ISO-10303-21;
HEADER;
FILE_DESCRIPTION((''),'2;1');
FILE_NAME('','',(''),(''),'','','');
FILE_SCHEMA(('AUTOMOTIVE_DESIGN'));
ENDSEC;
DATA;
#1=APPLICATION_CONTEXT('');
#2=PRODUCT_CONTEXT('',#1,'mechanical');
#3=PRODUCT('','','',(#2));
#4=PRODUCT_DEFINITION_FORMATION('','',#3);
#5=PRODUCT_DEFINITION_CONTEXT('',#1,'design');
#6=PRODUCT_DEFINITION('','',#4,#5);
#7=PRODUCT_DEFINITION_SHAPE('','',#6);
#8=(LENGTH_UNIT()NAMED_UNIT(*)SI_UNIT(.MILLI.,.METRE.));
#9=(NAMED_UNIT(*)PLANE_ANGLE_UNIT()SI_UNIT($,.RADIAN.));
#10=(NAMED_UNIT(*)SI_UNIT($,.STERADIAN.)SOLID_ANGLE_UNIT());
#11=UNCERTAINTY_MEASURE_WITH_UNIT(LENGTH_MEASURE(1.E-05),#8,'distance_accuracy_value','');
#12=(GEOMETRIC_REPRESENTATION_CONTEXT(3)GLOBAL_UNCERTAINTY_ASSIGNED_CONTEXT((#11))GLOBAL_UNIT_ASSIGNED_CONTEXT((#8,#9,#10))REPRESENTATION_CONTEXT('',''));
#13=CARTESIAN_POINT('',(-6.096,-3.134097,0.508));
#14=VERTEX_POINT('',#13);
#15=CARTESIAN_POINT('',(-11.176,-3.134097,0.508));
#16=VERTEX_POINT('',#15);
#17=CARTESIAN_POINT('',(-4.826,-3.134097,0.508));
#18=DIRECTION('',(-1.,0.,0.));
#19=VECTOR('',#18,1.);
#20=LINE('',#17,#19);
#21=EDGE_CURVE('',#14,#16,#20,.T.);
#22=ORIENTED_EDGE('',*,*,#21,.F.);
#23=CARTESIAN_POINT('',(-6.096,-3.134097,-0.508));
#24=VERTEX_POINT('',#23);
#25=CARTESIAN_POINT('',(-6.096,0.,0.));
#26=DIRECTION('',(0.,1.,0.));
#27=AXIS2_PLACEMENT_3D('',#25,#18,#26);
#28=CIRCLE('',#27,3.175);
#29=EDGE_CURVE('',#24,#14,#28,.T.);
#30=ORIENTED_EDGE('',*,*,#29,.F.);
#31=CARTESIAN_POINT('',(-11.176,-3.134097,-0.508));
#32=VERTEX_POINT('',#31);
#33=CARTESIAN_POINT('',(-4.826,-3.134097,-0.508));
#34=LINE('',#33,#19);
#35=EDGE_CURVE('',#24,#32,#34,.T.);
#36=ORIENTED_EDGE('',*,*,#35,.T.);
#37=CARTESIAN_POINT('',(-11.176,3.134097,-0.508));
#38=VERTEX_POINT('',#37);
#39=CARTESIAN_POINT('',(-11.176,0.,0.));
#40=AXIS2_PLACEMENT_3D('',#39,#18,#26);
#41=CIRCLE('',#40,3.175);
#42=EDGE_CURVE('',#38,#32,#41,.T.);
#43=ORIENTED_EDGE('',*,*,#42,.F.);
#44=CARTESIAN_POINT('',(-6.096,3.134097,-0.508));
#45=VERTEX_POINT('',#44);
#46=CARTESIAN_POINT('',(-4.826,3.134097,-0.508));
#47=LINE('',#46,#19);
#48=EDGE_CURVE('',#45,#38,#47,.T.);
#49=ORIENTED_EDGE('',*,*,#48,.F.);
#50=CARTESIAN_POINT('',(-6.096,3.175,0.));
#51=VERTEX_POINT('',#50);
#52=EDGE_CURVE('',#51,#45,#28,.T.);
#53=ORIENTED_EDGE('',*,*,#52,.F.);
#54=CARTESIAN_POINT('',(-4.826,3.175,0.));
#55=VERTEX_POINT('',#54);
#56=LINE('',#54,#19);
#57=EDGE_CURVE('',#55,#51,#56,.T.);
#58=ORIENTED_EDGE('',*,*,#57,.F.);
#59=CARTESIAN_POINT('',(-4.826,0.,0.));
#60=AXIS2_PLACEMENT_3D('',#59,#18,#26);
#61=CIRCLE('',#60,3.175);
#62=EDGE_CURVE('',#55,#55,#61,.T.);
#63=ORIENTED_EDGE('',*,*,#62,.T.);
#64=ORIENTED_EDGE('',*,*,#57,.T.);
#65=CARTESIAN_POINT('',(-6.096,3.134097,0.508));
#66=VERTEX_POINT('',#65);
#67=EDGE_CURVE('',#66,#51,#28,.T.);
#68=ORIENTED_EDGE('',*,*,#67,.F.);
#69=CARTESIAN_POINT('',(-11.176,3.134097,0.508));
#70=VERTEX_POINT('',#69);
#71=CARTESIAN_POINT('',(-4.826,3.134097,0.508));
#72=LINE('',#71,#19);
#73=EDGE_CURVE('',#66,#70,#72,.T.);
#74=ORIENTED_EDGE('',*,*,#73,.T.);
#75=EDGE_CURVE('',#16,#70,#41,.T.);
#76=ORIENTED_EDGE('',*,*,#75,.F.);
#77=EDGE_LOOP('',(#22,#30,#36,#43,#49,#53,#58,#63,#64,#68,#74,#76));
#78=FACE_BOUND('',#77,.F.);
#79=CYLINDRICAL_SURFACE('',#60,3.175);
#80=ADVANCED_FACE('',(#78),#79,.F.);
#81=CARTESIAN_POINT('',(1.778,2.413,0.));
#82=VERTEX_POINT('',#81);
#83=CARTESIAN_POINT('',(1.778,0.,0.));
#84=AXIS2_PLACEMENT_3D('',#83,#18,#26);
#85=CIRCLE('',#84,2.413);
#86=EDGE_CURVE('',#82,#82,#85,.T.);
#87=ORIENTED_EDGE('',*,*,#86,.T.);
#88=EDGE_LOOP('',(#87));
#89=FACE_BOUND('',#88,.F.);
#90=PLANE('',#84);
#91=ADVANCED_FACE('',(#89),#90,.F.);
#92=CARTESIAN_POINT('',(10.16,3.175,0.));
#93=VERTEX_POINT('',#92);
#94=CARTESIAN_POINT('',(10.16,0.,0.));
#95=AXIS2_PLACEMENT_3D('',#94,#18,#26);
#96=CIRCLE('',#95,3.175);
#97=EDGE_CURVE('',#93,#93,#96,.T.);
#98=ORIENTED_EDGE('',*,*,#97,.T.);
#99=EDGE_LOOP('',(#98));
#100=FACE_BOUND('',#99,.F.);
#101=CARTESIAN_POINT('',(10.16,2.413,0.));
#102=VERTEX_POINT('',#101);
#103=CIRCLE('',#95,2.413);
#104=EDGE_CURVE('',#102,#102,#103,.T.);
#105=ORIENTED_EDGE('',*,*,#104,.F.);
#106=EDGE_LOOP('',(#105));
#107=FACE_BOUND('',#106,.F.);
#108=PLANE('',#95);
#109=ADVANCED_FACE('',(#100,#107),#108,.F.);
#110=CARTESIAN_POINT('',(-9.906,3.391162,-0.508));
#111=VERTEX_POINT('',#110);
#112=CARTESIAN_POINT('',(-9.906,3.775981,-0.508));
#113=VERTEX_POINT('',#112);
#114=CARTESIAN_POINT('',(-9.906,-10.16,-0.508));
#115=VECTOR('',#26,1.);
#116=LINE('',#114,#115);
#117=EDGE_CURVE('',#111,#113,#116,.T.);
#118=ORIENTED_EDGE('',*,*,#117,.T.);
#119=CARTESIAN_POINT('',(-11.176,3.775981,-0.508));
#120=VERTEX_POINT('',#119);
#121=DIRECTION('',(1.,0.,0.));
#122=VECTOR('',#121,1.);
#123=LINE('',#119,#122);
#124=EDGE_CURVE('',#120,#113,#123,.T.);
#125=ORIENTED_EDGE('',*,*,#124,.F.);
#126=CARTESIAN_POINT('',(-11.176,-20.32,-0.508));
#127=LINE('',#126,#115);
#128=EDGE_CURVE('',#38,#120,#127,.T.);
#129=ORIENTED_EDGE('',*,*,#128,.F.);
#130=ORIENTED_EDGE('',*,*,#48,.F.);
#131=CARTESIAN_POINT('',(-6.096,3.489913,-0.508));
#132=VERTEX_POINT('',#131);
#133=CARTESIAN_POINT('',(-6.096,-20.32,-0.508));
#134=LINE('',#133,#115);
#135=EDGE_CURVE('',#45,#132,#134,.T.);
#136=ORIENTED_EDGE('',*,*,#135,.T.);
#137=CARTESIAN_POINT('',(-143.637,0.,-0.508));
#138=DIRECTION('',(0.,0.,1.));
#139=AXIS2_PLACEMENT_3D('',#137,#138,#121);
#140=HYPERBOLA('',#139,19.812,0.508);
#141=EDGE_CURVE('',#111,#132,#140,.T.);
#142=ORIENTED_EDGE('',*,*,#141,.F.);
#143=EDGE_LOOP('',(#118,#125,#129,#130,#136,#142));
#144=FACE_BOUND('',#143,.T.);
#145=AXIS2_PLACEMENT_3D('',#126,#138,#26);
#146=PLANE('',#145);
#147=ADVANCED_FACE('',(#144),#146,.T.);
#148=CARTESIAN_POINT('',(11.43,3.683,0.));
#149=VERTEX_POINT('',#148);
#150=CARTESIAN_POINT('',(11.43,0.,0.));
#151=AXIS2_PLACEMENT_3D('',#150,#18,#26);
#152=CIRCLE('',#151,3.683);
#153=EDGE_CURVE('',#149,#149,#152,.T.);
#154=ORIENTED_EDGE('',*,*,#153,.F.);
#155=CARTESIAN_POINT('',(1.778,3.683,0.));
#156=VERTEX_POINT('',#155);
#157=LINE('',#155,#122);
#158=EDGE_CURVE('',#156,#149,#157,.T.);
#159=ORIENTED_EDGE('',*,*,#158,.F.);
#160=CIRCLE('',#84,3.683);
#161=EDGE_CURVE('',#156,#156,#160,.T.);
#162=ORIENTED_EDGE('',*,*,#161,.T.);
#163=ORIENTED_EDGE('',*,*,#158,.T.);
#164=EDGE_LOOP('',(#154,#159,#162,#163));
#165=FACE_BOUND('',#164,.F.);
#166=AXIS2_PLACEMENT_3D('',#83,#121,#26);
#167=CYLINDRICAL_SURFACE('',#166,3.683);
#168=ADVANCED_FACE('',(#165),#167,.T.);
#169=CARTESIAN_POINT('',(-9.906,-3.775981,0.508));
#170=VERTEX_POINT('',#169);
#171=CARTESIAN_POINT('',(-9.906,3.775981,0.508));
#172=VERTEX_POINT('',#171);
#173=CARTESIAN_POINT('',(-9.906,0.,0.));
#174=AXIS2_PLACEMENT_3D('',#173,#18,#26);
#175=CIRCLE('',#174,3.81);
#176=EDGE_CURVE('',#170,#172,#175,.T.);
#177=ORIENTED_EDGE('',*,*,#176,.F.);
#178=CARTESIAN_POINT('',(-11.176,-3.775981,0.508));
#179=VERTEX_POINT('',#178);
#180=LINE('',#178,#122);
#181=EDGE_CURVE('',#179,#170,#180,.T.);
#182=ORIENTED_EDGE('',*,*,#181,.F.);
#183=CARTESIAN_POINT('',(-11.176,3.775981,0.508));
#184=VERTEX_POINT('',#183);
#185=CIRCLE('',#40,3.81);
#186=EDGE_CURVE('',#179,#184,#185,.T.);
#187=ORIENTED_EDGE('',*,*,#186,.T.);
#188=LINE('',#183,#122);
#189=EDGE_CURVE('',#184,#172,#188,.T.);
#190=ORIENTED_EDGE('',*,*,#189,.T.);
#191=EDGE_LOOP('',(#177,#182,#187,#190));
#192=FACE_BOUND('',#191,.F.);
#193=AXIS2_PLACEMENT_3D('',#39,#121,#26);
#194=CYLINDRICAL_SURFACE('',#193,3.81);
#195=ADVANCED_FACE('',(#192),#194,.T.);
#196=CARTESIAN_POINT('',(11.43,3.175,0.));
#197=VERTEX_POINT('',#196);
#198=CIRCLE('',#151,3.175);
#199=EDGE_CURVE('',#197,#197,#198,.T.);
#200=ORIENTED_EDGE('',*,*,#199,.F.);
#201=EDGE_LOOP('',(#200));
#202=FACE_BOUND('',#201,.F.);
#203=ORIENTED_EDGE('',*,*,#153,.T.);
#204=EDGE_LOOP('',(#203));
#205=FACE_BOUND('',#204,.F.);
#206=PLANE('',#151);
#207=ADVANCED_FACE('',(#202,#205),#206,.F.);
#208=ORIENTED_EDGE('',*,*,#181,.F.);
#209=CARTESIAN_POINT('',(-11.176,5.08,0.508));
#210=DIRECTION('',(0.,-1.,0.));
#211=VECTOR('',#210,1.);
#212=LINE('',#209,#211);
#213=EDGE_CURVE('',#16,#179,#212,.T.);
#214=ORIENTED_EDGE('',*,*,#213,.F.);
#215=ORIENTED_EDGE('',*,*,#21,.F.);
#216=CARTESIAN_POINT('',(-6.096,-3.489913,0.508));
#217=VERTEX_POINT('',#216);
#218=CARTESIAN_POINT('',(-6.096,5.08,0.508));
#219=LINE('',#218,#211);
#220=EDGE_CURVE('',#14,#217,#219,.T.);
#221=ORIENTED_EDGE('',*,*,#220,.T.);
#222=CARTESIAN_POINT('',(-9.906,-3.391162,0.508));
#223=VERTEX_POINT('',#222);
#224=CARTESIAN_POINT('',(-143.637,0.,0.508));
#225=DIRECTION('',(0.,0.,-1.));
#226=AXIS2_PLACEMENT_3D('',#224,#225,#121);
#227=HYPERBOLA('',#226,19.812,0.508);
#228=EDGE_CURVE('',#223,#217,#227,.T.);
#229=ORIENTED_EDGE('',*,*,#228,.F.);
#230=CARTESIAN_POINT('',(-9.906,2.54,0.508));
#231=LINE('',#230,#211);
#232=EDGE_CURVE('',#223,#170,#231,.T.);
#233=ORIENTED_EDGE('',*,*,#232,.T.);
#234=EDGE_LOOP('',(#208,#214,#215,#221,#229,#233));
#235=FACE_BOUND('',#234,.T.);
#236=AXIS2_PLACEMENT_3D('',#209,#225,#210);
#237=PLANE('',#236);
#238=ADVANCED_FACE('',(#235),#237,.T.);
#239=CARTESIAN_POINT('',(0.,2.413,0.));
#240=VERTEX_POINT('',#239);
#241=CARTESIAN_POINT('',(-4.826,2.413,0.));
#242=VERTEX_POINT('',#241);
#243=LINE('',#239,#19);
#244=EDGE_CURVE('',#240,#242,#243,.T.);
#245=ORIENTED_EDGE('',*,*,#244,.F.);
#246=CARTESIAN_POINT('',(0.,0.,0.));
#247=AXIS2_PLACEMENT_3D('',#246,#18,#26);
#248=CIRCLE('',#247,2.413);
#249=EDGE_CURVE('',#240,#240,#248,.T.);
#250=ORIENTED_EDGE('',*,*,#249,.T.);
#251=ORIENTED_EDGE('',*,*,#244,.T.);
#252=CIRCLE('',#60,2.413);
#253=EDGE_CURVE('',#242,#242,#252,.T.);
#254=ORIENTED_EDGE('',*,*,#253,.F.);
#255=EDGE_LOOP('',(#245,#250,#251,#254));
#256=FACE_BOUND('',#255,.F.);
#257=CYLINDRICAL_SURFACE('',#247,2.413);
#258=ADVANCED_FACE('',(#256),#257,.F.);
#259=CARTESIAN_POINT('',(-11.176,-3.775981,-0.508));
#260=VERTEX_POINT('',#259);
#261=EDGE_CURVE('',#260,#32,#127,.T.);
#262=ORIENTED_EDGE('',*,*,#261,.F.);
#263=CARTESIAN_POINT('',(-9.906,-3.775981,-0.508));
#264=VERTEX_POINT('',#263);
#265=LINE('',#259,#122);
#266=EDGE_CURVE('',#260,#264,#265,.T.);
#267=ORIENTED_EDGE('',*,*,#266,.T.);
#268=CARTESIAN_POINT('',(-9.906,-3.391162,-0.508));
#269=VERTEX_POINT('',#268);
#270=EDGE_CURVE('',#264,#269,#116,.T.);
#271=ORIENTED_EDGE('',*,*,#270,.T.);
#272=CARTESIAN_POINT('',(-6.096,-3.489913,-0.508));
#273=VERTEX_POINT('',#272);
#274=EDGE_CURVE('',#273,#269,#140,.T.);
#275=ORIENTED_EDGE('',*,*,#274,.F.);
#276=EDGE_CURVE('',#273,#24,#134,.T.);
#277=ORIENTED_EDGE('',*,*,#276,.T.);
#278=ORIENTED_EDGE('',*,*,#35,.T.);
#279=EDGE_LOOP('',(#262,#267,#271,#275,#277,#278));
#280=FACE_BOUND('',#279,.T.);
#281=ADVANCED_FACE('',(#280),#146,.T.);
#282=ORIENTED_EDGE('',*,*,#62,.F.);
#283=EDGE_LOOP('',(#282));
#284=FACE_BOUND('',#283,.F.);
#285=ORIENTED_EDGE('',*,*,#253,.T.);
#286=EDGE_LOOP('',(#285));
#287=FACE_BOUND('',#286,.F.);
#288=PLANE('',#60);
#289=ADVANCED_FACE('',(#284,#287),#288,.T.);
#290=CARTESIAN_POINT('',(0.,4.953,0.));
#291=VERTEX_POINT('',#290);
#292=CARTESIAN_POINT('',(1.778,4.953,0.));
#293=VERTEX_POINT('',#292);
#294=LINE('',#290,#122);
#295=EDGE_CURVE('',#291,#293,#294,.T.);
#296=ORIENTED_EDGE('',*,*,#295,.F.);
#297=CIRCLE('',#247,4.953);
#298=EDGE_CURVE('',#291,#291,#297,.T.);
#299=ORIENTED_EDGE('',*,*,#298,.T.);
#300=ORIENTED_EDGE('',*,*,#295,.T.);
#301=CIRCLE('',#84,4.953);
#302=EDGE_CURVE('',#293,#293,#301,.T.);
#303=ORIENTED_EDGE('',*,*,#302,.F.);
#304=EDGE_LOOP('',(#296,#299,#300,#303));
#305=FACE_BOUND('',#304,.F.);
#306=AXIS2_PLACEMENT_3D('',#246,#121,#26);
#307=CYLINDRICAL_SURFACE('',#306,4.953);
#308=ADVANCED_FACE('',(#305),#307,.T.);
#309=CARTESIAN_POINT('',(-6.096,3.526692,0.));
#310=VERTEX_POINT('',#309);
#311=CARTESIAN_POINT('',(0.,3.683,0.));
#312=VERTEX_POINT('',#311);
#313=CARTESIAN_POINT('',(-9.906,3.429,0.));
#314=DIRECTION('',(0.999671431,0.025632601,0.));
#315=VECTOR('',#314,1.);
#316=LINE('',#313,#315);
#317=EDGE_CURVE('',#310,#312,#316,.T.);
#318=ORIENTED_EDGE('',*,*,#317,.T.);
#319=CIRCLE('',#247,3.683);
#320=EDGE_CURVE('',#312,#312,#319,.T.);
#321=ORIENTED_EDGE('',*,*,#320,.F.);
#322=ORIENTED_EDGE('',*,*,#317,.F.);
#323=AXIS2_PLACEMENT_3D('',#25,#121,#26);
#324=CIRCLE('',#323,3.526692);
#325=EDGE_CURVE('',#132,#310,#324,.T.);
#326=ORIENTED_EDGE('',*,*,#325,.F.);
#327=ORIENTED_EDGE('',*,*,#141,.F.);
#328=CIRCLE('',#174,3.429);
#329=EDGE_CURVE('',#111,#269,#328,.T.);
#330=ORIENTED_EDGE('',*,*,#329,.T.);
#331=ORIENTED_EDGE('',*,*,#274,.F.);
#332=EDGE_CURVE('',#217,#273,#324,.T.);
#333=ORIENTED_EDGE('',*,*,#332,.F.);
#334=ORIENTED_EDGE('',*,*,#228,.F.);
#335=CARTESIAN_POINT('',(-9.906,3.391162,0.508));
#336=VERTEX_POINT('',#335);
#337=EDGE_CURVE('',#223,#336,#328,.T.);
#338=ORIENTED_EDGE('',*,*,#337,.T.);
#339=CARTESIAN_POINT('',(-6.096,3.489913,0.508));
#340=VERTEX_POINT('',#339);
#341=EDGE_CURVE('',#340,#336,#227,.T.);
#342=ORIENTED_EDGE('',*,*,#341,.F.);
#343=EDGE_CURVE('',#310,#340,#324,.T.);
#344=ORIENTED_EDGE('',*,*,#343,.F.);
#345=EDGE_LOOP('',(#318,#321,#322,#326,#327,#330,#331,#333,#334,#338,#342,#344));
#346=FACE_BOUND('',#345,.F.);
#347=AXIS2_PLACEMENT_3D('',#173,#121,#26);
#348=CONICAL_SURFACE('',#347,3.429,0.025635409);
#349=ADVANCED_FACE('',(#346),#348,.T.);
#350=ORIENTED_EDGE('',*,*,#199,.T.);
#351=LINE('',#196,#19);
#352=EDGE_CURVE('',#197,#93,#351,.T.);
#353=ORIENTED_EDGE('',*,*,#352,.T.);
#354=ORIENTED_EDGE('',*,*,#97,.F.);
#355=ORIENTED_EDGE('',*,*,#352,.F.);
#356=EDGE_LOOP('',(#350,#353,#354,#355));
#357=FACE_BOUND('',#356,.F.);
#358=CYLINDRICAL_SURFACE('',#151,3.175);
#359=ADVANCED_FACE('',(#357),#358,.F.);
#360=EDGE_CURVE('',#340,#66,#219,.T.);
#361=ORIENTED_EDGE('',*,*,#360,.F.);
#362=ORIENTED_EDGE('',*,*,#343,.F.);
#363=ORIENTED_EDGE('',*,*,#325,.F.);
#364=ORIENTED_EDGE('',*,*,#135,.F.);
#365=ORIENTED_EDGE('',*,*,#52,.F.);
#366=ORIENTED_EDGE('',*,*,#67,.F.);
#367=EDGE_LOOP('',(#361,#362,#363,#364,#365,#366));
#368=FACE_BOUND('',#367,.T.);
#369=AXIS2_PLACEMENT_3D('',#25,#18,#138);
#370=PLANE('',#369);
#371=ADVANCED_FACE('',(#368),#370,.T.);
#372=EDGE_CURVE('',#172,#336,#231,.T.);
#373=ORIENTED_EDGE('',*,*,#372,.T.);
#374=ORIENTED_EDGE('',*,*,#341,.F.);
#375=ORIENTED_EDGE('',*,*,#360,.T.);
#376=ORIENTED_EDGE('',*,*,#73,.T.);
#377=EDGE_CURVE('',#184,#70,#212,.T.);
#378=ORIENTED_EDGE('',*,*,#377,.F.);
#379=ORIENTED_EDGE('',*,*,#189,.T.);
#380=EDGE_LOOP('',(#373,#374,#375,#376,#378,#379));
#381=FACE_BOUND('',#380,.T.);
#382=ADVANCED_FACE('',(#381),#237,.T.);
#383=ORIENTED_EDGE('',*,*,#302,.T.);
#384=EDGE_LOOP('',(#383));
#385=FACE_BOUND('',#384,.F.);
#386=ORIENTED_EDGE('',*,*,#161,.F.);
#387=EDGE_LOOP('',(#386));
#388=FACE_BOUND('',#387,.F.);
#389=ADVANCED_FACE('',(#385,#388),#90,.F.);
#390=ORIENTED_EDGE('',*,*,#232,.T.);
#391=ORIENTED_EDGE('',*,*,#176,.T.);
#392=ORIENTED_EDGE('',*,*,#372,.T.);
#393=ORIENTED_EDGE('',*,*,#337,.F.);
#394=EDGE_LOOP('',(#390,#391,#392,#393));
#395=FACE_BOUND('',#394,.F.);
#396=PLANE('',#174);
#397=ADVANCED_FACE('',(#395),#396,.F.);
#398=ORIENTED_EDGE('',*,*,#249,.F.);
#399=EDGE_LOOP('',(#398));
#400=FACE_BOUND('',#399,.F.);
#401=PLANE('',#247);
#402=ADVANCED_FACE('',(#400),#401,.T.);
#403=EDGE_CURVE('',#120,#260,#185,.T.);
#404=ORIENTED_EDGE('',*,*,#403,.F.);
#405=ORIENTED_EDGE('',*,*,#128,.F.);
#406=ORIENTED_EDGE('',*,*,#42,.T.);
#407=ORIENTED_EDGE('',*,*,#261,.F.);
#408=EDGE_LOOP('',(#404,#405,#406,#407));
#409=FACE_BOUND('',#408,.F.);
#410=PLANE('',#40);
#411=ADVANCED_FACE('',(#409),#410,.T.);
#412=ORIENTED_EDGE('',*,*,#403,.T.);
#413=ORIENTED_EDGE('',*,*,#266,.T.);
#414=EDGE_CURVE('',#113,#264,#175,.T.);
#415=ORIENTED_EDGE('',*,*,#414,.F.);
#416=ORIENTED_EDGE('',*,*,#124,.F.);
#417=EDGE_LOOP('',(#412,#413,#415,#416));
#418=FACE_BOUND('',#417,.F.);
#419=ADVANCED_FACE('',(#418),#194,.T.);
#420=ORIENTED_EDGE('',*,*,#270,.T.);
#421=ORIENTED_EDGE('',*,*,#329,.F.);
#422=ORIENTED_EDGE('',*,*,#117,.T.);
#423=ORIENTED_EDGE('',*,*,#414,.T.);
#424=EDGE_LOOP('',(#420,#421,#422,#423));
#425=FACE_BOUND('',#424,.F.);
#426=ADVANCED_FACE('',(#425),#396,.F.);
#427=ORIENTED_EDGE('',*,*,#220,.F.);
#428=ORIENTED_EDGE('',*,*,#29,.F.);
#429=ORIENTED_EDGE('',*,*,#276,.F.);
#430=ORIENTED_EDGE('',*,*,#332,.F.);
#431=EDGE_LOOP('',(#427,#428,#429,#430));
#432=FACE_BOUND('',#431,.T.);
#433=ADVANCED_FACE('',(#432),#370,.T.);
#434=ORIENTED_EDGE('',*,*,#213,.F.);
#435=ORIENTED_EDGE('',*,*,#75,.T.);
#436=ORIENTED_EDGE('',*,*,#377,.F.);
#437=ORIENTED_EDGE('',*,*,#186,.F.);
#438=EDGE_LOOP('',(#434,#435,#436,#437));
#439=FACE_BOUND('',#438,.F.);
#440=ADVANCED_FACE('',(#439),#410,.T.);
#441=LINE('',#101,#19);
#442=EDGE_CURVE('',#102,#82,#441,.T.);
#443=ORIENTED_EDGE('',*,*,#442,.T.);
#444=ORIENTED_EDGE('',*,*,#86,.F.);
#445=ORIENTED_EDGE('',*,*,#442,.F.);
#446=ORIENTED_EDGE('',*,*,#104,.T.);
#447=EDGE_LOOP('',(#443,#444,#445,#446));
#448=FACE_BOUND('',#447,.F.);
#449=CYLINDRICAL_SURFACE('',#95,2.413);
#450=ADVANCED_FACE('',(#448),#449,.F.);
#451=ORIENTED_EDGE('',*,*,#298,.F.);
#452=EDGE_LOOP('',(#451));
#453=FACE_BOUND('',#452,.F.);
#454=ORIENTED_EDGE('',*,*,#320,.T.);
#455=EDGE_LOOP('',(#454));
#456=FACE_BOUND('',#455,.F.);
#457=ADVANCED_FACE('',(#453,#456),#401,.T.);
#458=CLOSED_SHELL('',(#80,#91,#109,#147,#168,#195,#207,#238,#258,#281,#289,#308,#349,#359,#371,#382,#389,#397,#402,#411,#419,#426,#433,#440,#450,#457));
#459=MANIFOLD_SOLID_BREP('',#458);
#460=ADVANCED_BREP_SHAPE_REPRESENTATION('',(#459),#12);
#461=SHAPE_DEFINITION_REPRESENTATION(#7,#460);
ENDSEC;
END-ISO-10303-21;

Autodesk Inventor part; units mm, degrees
ref_plane "YZ Plane" through (0, 0, 0) normal (1, 0, 0) x (0, 1, 0)
ref_plane "XZ Plane" through (0, 0, 0) normal (0, 1, 0) x (-1, 0, 0)
ref_plane "XY Plane" through (0, 0, 0) normal (0, 0, 1) x (1, 0, 0)
sketch "Sketch1" plane through (0, 0, 0) normal (0, 0, 1) x (1, 0, 0)
  line L0 (0, 0) -> (0, 2.413)
  line L1 (0, 2.413) -> (-4.826, 2.413)
  line L2 (-4.826, 2.413) -> (-4.826, 3.175)
  line L3 (-4.826, 3.175) -> (-11.176, 3.175)
  line L4 (-11.176, 3.175) -> (-11.176, 3.81)
  line L5 (-11.176, 3.81) -> (-9.906, 3.81)
  line L6 (-9.906, 3.81) -> (-9.906, 3.429)
  line L7 (-9.906, 3.429) -> (0, 3.683)
  line L8 (0, 3.683) -> (0, 4.953)
  line L9 (0, 4.953) -> (1.778, 4.953)
  line L10 (1.778, 4.953) -> (1.778, 3.683)
  line L11 (1.778, 3.683) -> (11.43, 3.683)
  line L12 (11.43, 3.683) -> (11.43, 3.175)
  line L13 (11.43, 3.175) -> (10.16, 3.175)
  line L14 (10.16, 3.175) -> (10.16, 2.413)
  line L15 (10.16, 2.413) -> (1.778, 2.413)
  line L16 (1.778, 0) -> (0, 0)
  line L17 (1.778, 2.413) -> (1.778, 0)
  dimension "d0" = 8.382
  dimension "d2" = 0.508
  dimension "d3" = 0.762
  dimension "d4" = 1.27
  dimension "d5" = 1.778
  dimension "d6" = 2.413
  dimension "d7" = 0.254
  dimension "d8" = 1.27
  dimension "d9" = 1.27
  dimension "d10" = 1.27
  dimension "d11" = 4.826
  dimension "d12" = 6.35
  dimension "d13" = 0.635
  dimension "d15" = 0.762
revolve "Revolution1" add sketch "Sketch1" angle 360 about axis through (1.778, 0, 0) along (-1, 0, 0)
sketch "Sketch4" plane through (-11.176, 0, 0) normal (-1, 0, 0) x (0, 0, 1)
  line L0 (-0.508, 5.08) -> (0.508, 5.08)
  line L1 (0.508, 5.08) -> (0.508, -20.32)
  line L2 (0.508, -20.32) -> (-0.508, -20.32)
  line L3 (-0.508, -20.32) -> (-0.508, 5.08)
  point P0 (0, 0)
  point P1 (0, 4.442)
  dimension "d18" = 1.016
  dimension "d19" = 0.508
  dimension "d21" = 0
  dimension "d22" = 25.4
extrude "Extrusion1" cut sketch "Sketch4" against normal blind 5.08
properties part number "AxelDE" material "Polycarbonate, Clear"
